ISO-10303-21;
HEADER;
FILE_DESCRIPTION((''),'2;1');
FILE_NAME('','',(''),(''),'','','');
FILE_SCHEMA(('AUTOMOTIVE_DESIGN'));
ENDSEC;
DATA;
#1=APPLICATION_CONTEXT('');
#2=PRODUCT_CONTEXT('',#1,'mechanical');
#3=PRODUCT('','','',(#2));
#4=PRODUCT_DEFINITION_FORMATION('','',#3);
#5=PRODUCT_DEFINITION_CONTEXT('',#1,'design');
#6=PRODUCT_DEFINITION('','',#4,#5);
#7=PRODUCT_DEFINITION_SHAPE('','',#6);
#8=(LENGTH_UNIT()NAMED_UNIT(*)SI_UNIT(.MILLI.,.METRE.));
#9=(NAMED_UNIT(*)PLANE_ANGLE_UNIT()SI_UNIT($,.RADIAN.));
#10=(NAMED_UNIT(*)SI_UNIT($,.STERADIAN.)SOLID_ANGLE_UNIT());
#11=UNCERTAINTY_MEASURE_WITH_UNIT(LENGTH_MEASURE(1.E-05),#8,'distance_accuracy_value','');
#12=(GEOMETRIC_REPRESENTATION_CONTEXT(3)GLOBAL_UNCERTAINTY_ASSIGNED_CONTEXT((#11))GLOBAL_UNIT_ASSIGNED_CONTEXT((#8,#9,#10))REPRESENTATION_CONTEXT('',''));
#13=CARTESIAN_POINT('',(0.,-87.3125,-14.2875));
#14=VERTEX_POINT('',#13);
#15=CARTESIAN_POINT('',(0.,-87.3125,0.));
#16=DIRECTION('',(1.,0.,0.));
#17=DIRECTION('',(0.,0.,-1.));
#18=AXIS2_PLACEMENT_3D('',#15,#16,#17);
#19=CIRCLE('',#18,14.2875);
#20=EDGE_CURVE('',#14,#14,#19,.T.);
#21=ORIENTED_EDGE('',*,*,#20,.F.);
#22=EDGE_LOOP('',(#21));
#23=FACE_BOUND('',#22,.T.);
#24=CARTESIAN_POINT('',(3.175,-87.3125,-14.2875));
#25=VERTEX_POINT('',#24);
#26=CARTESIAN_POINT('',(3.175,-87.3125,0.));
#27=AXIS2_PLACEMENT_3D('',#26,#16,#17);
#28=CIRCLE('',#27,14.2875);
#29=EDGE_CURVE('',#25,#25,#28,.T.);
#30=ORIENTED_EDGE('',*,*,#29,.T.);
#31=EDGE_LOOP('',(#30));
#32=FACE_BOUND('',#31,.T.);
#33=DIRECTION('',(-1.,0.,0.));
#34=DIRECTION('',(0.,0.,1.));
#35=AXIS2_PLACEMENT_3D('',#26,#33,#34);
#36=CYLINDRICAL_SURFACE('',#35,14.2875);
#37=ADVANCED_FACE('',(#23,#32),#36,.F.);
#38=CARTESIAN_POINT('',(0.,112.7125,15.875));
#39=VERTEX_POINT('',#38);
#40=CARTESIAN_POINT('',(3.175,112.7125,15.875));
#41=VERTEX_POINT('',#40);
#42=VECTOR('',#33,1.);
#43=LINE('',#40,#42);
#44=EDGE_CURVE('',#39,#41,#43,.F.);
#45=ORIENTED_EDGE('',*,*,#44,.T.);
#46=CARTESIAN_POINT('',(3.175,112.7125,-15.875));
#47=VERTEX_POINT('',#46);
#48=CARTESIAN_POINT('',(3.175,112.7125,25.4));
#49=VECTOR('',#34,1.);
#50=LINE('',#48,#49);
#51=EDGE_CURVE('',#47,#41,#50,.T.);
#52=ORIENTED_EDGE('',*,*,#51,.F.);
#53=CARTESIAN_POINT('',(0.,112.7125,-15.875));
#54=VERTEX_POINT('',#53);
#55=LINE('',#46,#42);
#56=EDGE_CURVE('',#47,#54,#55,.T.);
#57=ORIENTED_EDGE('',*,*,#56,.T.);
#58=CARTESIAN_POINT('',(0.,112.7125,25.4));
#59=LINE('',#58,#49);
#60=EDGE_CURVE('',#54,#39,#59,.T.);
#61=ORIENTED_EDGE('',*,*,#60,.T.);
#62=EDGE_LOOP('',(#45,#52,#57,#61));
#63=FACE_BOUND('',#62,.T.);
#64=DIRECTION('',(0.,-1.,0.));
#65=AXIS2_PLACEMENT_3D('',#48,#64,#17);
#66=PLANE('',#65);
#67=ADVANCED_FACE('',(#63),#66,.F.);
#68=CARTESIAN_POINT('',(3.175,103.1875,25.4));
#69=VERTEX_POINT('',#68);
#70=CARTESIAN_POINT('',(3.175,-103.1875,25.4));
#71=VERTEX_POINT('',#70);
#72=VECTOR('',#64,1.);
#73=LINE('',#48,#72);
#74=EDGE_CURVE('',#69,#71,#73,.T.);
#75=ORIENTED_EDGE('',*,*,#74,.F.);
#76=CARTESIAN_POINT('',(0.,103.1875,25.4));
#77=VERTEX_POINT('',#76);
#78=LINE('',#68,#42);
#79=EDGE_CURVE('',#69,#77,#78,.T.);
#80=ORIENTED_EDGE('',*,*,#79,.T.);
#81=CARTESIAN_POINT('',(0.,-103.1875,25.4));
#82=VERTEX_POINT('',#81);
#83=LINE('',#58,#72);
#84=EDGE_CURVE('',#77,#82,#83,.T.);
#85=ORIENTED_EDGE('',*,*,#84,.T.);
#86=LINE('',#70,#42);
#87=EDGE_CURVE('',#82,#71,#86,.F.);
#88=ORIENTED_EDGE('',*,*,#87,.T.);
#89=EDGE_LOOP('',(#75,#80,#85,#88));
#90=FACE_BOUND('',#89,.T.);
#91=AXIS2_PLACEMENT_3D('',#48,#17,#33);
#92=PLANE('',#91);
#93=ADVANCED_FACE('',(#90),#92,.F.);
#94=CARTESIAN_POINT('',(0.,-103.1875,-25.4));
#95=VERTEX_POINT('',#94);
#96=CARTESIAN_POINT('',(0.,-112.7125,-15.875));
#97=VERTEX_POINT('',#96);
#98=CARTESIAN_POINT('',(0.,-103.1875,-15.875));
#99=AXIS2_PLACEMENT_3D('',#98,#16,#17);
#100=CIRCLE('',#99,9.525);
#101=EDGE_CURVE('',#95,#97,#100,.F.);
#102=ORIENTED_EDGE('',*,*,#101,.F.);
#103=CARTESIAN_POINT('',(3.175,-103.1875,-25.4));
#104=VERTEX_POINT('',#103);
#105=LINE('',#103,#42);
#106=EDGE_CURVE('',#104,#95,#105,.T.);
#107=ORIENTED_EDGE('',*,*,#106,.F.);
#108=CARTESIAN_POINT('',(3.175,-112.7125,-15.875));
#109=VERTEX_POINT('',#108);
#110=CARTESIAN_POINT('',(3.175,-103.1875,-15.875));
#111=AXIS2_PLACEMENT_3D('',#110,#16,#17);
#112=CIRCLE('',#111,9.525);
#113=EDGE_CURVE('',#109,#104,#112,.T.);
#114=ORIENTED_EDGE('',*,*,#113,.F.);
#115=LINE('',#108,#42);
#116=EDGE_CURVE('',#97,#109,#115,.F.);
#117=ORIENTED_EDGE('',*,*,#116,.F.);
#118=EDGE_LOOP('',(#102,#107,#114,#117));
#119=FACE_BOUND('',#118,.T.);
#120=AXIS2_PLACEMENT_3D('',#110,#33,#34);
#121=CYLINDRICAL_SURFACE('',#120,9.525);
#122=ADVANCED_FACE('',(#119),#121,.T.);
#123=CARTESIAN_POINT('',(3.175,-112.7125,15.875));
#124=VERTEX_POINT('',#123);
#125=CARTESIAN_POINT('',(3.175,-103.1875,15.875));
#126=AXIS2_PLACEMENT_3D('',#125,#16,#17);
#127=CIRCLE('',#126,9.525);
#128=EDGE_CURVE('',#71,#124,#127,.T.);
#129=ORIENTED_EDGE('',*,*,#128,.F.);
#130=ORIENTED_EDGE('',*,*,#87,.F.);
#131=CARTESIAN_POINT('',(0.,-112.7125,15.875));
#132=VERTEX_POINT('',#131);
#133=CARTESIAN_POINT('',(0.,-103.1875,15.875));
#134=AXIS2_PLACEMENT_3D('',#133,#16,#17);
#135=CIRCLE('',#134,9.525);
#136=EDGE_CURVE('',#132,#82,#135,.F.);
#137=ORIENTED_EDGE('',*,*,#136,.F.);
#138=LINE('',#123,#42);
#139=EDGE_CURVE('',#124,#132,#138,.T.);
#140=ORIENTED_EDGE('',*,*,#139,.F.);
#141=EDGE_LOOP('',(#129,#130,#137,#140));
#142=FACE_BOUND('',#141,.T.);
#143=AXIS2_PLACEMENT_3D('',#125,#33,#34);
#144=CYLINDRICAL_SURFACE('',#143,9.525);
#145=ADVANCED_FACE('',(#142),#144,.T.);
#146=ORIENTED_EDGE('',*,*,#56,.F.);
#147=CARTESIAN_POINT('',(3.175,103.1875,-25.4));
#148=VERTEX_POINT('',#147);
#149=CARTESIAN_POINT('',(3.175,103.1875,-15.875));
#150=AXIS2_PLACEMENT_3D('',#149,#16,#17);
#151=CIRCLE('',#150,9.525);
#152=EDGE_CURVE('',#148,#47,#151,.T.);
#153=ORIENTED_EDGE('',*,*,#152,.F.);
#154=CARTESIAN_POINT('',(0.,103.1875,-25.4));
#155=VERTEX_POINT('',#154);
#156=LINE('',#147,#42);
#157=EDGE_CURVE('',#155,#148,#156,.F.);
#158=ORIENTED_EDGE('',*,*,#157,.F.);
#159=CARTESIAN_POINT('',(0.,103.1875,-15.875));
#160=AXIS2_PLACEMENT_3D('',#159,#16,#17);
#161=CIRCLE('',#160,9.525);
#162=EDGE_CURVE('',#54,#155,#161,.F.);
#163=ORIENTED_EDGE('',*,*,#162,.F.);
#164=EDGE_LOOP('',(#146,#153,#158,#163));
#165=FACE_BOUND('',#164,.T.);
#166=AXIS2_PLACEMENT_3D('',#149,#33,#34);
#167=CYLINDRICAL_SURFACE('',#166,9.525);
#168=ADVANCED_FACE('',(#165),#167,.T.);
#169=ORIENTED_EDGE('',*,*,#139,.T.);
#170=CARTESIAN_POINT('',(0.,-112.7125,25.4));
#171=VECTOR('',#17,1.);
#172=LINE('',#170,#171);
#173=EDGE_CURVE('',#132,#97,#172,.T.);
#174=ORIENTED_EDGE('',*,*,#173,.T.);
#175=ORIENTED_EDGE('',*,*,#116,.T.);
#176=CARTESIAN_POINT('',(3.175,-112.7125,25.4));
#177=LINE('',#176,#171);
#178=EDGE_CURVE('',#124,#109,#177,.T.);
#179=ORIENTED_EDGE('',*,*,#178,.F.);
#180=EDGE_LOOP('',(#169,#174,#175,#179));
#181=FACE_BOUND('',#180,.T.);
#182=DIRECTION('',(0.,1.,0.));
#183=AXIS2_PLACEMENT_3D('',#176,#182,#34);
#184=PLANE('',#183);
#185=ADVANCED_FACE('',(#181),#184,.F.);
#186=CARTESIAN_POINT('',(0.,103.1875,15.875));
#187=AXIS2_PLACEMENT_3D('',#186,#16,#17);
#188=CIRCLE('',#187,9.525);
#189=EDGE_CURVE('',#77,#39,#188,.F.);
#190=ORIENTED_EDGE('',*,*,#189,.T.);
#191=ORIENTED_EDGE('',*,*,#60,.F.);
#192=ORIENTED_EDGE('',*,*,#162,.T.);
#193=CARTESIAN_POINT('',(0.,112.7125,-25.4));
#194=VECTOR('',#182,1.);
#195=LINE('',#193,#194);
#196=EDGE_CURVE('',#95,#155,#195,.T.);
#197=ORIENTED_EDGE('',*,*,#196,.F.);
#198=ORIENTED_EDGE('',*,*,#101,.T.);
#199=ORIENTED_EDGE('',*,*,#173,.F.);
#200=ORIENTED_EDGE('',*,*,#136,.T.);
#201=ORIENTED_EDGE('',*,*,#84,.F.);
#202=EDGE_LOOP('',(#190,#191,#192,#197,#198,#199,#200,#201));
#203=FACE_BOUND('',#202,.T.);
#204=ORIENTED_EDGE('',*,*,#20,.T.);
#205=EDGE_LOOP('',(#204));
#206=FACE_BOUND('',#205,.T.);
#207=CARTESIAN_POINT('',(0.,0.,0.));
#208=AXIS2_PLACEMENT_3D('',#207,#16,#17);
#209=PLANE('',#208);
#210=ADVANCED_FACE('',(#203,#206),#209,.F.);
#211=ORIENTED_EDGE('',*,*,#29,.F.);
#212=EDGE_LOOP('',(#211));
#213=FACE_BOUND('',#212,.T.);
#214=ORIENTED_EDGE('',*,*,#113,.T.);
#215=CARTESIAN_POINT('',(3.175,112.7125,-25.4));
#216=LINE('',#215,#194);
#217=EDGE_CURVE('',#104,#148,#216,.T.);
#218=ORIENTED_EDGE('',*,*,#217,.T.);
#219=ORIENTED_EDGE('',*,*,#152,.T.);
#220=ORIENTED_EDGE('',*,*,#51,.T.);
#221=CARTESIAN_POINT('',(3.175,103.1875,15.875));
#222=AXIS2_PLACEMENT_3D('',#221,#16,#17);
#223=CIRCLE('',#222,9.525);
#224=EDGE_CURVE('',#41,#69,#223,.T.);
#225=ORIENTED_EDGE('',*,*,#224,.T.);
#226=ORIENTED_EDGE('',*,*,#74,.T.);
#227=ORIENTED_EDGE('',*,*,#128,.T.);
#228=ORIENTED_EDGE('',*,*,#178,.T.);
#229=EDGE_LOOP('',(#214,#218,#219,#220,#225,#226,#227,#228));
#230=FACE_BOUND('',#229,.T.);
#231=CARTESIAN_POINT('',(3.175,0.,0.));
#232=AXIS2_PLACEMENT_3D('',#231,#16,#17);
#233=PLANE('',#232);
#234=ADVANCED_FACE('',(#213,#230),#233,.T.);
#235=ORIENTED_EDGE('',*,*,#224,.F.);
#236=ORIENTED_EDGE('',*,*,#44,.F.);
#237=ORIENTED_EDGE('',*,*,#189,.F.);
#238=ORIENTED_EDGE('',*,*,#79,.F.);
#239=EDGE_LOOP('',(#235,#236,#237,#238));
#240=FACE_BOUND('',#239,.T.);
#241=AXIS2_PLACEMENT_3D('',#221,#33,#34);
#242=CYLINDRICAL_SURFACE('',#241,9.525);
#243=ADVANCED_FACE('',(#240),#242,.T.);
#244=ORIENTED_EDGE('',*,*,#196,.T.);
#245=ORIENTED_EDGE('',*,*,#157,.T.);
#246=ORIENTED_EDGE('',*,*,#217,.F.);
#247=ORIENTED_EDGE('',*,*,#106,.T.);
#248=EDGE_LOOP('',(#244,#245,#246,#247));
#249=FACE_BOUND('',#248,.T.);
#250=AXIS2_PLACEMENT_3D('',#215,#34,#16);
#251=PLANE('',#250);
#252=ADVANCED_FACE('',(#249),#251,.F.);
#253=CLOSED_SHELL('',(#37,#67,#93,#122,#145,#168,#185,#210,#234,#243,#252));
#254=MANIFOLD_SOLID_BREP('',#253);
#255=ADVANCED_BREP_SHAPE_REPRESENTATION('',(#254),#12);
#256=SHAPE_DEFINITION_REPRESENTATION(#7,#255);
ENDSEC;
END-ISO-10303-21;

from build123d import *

# Parameters (mm, degrees)
SKETCH1_W           = 50.8
SKETCH1_H           = 225.425
SKETCH1_R           = 14.2875
BOSS_EXTRUDE1_DEPTH = 3.175
FILLET1_R           = 9.525


with BuildPart() as part:
    # Sketch1 → Boss-Extrude1 (new body)
    with BuildSketch(Plane(origin=(0, 0, 0), x_dir=(0, 0, -1), z_dir=(1, 0, 0))):
        Rectangle(SKETCH1_W, SKETCH1_H)
        with Locations((0, -87.3125)):
            Circle(SKETCH1_R, mode=Mode.SUBTRACT)
    extrude(amount=BOSS_EXTRUDE1_DEPTH)

    # Fillet1
    fillet1_edges = [part.edges().sort_by_distance(p)[0] for p in [
        (1.5875, 112.7125, 25.4),
        (1.5875, 112.7125, -25.4),
        (1.5875, -112.7125, -25.4),
        (1.5875, -112.7125, 25.4),
    ]]
    fillet(fillet1_edges, radius=FILLET1_R)


solid = part.part
